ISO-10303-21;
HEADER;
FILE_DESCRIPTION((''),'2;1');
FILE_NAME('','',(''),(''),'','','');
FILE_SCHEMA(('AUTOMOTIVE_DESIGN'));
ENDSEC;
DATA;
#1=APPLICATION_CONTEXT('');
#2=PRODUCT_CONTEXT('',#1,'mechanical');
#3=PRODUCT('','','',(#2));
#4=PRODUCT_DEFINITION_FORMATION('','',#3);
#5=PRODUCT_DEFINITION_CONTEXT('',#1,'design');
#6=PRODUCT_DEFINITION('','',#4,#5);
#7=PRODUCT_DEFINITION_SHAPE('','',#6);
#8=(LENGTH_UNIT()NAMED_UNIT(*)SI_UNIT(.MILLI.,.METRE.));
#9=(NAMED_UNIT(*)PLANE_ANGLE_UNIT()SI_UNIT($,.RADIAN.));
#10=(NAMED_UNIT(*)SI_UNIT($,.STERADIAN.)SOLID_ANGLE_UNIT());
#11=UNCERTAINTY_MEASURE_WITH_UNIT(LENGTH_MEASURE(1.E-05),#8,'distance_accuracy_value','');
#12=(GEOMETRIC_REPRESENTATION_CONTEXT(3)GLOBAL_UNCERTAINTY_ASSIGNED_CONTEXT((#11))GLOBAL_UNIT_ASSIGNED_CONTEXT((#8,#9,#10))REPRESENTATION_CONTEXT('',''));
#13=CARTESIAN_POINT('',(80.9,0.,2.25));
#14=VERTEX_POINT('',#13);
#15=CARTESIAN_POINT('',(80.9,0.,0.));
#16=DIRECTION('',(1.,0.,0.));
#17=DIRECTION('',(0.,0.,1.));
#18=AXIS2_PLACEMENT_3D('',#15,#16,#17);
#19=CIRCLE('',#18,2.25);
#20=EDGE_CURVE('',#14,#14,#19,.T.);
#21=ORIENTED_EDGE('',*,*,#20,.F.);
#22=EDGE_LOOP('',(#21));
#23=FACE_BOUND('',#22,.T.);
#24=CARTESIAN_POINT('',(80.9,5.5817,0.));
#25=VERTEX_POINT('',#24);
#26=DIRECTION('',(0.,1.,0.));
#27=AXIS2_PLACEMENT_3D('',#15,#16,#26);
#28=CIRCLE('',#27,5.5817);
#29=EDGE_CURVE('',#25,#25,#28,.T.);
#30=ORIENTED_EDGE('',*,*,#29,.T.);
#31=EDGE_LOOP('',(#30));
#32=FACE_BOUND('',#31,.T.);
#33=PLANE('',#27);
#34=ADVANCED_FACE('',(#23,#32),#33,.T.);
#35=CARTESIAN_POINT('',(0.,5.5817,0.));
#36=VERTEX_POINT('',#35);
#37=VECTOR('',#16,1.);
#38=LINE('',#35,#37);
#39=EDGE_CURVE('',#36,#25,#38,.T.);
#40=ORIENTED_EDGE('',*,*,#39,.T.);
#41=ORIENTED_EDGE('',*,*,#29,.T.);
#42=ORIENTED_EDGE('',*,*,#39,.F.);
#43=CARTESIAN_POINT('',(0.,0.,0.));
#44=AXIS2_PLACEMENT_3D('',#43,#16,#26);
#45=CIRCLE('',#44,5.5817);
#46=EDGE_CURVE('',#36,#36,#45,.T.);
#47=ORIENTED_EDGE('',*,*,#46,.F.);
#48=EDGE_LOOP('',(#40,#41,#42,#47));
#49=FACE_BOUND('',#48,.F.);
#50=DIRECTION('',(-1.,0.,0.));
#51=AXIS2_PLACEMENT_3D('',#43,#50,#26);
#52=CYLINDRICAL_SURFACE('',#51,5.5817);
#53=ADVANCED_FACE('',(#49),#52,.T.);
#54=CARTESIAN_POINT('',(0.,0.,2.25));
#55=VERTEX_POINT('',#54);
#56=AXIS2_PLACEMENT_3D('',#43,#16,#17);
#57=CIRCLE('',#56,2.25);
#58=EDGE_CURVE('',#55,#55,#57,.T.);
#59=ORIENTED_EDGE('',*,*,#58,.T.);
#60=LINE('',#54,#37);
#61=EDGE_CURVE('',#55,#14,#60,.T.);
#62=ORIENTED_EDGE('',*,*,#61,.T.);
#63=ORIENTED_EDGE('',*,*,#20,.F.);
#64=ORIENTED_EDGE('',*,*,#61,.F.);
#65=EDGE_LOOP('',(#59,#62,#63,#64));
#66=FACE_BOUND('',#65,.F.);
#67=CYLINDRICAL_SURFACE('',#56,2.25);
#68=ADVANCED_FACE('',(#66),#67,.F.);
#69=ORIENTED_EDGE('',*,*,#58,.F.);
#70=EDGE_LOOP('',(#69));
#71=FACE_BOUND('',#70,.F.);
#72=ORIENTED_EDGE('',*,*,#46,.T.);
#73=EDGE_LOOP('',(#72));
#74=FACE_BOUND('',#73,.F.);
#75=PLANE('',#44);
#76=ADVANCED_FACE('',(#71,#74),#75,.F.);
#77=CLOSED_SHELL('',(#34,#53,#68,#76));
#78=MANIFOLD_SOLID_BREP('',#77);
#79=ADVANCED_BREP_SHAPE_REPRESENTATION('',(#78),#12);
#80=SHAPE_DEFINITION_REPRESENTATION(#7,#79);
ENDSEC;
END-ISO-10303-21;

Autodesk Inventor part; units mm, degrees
ref_plane "YZ Plane" through (0, 0, 0) normal (1, 0, 0) x (0, 1, 0)
ref_plane "XZ Plane" through (0, 0, 0) normal (0, 1, 0) x (-1, 0, 0)
ref_plane "XY Plane" through (0, 0, 0) normal (0, 0, 1) x (1, 0, 0)
sketch "Sketch1" plane through (0, 0, 0) normal (1, 0, 0) x (0, 1, 0)
  circle A0 centre (0, 0) radius 5.5817
extrude "Extrusion1" add sketch "Sketch1" along normal blind 80.9
hole "Hole1" at (0, 0, 0) direction (1, 0, 0) diameter 4.5 end through all clearance for "Flat Head Machine Screw" size "M4" standard "Ansi Metric M Profile"
properties part number "support pole"
